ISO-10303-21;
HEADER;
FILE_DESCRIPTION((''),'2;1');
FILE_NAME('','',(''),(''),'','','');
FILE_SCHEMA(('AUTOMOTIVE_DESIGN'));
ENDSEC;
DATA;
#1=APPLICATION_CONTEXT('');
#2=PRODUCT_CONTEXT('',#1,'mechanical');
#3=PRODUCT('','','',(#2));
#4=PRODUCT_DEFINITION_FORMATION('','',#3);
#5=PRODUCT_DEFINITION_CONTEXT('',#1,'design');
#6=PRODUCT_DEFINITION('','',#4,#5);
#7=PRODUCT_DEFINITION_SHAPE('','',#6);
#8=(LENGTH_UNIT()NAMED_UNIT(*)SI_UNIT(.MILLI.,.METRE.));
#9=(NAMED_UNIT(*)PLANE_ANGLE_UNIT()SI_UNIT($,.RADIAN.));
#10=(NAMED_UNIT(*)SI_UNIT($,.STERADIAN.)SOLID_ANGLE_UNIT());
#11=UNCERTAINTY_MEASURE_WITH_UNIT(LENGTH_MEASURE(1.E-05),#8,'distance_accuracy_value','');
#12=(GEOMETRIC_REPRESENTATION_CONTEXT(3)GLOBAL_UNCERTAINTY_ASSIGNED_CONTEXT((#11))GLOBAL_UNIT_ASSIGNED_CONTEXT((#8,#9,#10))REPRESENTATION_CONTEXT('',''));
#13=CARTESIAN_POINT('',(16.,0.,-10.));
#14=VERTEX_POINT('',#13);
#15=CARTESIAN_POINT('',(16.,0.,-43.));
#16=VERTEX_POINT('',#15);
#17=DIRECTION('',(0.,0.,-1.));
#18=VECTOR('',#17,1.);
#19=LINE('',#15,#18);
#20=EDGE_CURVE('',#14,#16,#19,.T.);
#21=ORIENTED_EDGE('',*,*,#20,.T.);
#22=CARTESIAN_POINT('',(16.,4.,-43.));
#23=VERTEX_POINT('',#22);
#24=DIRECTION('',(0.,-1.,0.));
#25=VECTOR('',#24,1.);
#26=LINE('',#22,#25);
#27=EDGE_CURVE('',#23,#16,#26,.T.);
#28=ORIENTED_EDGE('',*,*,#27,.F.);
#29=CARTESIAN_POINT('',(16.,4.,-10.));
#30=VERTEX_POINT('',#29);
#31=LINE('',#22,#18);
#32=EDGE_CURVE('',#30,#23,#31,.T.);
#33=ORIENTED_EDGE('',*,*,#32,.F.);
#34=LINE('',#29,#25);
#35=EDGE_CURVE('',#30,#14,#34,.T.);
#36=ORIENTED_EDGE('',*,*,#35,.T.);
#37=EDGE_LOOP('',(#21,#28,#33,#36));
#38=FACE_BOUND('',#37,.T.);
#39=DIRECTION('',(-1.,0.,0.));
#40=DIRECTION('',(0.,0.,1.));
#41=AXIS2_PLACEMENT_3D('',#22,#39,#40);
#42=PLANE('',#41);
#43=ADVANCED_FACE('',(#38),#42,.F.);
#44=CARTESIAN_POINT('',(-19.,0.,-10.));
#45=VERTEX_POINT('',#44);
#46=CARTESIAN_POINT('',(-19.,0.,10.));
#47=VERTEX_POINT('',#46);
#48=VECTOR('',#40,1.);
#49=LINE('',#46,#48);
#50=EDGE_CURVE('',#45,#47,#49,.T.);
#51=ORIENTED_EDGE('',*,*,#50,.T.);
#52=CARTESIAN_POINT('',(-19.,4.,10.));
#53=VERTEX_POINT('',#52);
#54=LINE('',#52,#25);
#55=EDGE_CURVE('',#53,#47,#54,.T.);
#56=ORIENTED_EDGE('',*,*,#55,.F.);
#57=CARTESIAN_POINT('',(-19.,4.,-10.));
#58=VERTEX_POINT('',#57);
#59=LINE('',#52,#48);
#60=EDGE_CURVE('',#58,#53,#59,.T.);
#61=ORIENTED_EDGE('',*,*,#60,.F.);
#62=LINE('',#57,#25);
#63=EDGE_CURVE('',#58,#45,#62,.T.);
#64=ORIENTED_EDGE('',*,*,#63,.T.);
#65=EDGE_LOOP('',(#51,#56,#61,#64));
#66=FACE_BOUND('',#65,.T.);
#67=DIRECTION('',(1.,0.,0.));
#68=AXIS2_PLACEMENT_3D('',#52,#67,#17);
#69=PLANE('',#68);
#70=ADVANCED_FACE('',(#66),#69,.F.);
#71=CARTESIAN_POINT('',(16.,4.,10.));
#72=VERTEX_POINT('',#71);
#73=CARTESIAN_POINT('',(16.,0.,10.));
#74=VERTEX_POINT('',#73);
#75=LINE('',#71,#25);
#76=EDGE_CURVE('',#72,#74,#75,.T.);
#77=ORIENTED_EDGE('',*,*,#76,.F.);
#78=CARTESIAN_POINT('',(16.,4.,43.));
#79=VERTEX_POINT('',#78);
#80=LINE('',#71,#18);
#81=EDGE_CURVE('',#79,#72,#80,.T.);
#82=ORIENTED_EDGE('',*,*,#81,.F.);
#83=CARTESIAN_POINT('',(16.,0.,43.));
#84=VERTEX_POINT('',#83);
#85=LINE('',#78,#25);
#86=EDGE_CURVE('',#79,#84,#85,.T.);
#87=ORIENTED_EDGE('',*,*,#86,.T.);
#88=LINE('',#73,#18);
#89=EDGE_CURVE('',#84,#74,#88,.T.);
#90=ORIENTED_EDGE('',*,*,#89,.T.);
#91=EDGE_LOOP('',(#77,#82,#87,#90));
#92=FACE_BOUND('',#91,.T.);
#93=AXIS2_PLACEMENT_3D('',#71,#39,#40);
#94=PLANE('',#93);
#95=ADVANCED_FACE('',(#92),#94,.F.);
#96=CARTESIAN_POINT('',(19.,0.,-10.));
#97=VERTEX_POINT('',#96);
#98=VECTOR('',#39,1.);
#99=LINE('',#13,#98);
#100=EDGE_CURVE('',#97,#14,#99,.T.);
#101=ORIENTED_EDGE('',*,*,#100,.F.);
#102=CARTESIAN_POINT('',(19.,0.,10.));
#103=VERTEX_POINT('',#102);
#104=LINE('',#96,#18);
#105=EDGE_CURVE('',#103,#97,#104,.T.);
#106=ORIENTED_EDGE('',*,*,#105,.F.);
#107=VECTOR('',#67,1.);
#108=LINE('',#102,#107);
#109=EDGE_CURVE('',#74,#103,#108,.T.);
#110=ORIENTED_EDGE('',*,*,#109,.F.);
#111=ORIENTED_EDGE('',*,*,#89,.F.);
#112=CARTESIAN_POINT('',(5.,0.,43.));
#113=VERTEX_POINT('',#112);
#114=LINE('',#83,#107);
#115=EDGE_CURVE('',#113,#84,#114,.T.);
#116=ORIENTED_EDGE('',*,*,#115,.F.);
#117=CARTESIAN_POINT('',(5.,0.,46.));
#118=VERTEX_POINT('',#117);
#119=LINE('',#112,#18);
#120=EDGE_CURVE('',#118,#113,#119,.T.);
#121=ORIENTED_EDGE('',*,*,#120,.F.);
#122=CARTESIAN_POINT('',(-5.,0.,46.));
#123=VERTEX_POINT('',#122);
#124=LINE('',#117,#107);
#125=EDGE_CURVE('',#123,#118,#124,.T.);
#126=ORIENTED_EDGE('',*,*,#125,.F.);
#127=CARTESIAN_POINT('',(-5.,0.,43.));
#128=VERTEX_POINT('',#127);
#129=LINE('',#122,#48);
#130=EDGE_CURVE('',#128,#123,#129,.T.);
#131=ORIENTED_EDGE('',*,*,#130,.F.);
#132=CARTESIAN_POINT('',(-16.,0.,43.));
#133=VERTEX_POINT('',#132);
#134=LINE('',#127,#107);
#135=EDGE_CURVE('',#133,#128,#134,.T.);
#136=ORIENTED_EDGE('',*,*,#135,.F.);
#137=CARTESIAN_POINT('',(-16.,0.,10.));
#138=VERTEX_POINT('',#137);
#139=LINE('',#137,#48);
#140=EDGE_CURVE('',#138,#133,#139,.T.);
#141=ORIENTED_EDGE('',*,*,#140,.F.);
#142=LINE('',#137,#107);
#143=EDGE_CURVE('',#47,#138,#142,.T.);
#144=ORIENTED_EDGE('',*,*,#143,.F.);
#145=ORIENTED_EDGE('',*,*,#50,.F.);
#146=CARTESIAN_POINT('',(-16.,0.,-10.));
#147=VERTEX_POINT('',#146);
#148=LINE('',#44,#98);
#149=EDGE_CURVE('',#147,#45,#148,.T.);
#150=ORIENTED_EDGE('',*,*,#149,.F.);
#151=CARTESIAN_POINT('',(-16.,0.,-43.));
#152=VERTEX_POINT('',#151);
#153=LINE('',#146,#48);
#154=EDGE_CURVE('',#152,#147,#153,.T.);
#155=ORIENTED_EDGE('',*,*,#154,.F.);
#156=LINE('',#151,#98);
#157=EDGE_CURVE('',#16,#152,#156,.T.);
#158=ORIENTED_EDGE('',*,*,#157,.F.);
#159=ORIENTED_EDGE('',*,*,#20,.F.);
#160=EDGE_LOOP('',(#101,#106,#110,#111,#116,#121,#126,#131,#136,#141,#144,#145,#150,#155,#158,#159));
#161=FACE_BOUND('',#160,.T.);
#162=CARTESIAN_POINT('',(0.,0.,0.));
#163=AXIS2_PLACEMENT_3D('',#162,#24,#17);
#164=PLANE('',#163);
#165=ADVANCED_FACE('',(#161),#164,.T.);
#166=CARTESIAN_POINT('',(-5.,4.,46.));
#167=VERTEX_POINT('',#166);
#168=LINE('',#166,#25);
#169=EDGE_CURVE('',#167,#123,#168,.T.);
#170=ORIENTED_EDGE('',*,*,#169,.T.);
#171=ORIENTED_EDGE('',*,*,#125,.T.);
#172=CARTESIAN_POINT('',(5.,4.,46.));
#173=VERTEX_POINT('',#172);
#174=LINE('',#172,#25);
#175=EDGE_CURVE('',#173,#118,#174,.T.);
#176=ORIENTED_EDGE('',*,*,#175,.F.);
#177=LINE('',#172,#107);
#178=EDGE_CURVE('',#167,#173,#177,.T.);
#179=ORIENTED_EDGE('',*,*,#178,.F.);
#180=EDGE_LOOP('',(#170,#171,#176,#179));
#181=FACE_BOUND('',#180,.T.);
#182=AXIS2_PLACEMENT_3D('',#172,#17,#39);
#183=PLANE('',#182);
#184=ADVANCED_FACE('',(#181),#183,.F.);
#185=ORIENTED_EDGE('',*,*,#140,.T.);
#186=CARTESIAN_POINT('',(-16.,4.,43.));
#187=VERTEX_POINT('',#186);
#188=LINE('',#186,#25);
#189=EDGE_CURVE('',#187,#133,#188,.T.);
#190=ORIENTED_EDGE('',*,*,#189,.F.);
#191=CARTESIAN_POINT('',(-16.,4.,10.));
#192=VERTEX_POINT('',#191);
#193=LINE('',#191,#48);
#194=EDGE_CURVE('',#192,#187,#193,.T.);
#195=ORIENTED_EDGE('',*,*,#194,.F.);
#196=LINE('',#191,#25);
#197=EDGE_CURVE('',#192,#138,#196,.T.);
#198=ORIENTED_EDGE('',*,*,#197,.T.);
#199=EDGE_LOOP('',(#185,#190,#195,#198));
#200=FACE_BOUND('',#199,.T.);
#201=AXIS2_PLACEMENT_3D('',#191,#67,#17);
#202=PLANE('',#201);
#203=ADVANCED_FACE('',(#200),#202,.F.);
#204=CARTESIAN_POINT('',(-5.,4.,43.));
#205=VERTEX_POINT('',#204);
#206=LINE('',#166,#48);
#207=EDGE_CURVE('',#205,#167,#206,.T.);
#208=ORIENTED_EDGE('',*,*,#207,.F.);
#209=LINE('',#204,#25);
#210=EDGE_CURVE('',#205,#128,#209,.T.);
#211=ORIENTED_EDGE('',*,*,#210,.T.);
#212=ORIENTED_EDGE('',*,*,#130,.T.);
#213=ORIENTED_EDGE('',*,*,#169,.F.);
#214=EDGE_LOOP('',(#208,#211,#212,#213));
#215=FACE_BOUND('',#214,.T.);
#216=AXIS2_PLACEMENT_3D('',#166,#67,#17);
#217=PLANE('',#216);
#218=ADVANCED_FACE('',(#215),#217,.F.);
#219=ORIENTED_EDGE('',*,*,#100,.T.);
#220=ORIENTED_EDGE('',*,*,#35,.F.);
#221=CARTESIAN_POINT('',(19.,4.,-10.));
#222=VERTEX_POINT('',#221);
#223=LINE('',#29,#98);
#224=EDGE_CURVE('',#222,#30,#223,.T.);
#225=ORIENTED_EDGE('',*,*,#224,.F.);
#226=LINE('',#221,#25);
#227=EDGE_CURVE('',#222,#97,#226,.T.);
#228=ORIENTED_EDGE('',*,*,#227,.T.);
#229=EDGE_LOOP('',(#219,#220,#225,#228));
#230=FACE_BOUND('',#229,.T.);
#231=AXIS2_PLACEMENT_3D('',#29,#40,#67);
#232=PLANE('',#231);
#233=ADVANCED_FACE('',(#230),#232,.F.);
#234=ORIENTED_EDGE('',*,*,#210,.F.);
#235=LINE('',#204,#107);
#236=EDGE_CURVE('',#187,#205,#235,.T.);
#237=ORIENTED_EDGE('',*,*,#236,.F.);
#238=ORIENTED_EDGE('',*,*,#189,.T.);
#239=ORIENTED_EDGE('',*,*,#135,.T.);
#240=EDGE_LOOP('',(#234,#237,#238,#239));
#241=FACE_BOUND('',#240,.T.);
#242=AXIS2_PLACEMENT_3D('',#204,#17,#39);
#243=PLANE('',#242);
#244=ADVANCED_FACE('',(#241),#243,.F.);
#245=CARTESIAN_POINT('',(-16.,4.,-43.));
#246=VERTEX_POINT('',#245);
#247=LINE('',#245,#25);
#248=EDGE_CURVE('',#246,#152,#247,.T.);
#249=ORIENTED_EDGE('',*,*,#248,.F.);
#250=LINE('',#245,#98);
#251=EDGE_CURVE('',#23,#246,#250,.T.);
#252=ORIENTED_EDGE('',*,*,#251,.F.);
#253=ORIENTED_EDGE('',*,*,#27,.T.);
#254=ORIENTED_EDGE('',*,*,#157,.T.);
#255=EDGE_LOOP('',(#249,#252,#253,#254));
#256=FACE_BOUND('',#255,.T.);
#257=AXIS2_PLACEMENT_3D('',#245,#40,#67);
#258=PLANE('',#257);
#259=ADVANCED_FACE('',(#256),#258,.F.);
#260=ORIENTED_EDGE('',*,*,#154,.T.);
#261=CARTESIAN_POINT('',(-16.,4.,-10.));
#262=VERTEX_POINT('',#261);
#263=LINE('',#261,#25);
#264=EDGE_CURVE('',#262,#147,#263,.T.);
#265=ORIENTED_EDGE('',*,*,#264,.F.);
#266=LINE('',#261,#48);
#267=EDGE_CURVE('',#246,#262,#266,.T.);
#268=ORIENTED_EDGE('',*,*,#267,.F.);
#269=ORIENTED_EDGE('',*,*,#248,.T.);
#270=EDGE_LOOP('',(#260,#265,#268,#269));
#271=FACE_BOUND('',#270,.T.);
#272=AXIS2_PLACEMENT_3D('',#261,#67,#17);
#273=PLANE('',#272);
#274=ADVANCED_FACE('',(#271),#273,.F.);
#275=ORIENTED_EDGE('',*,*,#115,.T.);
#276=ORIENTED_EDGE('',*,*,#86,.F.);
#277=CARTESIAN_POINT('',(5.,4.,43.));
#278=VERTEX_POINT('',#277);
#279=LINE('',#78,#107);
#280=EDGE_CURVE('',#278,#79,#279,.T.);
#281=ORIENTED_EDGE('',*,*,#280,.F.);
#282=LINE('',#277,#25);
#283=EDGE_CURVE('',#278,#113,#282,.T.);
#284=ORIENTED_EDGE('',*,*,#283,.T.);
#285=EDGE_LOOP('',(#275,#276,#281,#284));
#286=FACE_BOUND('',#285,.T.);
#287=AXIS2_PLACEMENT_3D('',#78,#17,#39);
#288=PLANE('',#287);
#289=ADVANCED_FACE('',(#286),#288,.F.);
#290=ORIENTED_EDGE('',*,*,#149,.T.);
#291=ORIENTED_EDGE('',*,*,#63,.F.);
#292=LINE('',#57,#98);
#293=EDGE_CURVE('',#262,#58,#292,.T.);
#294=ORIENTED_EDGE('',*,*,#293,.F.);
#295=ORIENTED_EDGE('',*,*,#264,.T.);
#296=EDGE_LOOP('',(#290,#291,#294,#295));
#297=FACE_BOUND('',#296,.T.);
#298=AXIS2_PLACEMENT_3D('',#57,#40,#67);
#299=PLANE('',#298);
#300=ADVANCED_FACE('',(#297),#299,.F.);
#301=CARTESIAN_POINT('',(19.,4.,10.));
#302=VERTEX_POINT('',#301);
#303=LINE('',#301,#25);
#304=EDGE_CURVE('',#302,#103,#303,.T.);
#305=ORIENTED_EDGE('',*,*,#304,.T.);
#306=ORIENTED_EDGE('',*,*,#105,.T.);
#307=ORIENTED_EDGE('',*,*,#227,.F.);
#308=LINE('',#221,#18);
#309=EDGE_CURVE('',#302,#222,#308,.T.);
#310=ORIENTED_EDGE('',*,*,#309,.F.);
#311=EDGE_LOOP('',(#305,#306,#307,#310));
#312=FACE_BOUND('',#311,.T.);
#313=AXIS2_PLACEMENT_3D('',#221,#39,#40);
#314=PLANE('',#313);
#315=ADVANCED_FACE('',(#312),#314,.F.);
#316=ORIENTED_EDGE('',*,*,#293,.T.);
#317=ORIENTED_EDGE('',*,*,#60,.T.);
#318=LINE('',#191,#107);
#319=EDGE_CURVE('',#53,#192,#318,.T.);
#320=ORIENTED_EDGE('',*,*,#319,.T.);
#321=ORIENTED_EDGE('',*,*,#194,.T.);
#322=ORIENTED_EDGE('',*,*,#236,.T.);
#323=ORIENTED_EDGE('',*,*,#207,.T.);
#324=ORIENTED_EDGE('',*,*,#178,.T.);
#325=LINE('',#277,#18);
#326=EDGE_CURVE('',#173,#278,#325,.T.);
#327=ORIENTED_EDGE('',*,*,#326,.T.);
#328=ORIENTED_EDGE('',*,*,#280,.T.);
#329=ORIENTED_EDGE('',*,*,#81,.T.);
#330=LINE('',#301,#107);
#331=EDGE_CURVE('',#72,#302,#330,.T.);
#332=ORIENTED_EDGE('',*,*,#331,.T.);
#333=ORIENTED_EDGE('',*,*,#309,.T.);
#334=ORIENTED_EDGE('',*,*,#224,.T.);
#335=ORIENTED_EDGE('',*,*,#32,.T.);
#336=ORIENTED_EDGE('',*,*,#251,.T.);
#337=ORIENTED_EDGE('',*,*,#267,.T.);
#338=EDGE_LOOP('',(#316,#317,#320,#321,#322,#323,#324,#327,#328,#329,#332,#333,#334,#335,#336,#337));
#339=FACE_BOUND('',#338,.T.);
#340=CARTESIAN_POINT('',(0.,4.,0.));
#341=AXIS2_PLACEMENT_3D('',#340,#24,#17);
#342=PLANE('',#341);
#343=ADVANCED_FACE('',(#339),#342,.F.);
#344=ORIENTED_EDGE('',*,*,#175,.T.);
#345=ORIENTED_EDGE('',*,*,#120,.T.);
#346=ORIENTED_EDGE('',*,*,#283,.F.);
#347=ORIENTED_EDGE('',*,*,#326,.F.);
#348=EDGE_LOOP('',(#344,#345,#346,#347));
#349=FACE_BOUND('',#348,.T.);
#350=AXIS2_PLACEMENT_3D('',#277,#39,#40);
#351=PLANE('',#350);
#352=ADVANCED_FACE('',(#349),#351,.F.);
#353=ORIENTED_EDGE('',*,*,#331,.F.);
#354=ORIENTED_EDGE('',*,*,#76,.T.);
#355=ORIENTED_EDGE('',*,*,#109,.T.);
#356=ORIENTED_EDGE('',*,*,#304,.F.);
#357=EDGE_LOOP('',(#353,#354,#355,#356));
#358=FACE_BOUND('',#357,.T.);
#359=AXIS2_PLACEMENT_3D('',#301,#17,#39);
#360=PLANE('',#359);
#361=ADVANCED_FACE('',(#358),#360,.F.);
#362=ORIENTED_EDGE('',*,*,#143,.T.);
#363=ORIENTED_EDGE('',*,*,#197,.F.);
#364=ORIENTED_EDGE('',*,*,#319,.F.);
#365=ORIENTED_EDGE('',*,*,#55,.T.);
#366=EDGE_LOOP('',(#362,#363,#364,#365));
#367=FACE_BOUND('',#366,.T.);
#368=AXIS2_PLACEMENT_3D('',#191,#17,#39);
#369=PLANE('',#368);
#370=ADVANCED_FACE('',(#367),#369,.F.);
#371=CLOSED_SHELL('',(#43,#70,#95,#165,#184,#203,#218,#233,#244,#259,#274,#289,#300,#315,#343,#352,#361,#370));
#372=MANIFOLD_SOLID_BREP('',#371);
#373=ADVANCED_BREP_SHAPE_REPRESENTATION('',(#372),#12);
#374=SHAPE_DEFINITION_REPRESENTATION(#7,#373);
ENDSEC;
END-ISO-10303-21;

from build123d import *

# Parameters (mm, degrees)
BOSS_EXTRU_1_DEPTH = 4


with BuildPart() as part:
    # Esquisse1 → Boss.-Extru.1 (new body)
    with BuildSketch(Plane(origin=(0, 0, 0), x_dir=(1, 0, 0), z_dir=(0, 1, 0))):
        Polygon((-16, -10), (-16, -43), (-5, -43), (-5, -46), (5, -46), (5, -43), (16, -43), (16, -10), (19, -10), (19, 10), (16, 10), (16, 43), (-16, 43), (-16, 10), (-19, 10), (-19, -10), align=None)
    extrude(amount=BOSS_EXTRU_1_DEPTH)


solid = part.part
